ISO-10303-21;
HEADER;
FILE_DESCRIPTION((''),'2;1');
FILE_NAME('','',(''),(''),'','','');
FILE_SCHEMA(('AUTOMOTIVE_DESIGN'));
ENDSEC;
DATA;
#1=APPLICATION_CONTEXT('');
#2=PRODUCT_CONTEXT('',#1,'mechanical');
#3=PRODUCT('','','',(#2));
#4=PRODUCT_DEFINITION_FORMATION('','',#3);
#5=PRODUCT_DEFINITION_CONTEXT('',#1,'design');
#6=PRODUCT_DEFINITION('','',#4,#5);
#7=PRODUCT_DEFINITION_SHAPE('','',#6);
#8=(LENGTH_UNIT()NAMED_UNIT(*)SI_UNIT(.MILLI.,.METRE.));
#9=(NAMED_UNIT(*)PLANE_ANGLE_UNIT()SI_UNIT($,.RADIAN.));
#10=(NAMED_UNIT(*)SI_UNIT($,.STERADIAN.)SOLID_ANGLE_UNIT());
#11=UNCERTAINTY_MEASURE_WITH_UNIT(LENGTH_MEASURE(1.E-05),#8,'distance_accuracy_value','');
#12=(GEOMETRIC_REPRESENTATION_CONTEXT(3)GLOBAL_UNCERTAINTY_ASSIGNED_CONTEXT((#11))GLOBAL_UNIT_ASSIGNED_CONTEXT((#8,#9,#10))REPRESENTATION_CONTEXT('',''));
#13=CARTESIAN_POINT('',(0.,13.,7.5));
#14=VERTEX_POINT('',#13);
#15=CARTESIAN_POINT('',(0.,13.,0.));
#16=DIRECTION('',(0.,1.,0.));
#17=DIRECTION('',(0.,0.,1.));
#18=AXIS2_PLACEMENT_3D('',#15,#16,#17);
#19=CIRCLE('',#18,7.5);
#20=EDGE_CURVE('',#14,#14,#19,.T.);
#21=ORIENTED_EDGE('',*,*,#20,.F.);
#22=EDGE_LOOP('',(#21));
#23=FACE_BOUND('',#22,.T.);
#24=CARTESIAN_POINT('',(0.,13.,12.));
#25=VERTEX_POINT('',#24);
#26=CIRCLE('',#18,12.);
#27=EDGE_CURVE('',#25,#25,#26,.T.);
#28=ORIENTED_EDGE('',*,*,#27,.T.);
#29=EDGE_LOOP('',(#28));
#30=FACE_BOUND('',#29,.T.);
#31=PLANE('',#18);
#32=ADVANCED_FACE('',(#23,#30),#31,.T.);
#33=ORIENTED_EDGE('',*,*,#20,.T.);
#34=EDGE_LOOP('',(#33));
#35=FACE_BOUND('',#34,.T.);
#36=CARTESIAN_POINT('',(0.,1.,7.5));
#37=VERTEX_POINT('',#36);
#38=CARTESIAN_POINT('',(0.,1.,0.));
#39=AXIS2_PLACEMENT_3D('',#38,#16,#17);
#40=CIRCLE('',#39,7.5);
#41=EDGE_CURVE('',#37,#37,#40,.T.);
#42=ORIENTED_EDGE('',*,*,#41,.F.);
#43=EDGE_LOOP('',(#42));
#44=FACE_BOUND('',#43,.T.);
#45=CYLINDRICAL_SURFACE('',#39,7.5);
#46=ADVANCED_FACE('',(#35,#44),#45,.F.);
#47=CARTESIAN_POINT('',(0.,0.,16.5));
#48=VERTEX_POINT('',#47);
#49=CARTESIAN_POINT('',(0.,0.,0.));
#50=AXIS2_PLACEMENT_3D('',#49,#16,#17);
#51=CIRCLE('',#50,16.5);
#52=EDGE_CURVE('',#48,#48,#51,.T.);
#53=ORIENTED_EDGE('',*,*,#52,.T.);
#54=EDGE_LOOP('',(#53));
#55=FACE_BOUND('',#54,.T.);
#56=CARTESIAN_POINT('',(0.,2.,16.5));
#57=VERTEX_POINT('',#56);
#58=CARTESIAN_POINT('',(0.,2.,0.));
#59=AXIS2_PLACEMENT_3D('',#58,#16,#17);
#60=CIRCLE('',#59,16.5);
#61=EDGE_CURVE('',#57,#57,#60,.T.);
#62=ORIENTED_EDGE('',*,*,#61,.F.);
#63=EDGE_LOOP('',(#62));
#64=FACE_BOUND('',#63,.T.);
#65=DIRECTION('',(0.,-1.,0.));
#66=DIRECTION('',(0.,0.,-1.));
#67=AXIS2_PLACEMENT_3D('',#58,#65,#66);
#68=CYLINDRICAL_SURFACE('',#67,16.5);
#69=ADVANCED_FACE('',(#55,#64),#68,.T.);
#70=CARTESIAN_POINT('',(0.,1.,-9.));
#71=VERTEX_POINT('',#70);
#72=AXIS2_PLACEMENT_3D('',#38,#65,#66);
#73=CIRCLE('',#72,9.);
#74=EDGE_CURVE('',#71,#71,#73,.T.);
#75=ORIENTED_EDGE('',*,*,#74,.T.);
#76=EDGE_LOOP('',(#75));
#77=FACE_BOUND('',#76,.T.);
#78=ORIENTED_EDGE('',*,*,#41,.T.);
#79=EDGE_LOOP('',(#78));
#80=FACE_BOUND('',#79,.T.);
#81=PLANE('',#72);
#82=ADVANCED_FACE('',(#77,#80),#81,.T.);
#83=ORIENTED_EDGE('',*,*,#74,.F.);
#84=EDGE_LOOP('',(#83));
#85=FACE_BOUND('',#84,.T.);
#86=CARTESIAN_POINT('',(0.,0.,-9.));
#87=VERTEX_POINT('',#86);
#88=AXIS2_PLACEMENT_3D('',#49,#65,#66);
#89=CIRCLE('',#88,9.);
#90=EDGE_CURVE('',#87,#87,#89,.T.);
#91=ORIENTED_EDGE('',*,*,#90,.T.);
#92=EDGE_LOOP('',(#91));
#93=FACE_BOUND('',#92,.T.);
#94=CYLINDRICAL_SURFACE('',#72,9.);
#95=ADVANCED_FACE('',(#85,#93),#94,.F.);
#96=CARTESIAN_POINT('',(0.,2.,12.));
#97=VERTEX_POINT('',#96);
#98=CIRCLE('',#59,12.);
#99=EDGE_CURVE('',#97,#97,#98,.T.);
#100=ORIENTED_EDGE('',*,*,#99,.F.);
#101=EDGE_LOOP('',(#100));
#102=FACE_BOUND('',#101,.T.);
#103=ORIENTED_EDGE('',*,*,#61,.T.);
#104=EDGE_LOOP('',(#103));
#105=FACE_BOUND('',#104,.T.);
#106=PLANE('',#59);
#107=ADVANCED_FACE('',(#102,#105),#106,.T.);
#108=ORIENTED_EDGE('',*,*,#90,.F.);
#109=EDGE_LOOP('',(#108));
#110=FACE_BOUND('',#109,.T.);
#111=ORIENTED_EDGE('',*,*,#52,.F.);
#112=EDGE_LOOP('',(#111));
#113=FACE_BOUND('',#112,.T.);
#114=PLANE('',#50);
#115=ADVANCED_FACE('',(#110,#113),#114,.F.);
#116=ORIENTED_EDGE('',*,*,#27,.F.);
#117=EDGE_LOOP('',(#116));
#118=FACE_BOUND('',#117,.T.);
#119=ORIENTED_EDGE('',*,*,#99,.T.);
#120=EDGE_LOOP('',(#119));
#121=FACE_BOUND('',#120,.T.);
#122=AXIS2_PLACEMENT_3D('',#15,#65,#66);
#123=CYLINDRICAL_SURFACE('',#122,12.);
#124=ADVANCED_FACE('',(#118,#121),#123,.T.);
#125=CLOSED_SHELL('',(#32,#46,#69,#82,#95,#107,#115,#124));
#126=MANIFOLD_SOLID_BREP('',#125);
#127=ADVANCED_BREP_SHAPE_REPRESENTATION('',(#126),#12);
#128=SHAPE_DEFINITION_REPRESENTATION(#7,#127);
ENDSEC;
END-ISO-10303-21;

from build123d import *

# Parameters (mm, degrees)
SKETCH1_R           = 16.5
BOSS_EXTRUDE1_DEPTH = 2
SKETCH2_R           = 12
BOSS_EXTRUDE2_DEPTH = 11
SKETCH3_R           = 9
CUT_EXTRUDE1_DEPTH  = 1
SKETCH4_R           = 7.5
CUT_EXTRUDE2_DEPTH  = 12


with BuildPart() as part:
    # Sketch1 → Boss-Extrude1 (new body)
    with BuildSketch(Plane(origin=(0, 0, 0), x_dir=(1, 0, 0), z_dir=(0, 1, 0))):
        with Locations(Location((0, 0, 0), (0, 0, 270))):
            Circle(SKETCH1_R)
    extrude(amount=BOSS_EXTRUDE1_DEPTH)

    # Sketch2 → Boss-Extrude2 (add)
    with BuildSketch(Plane(origin=(0, 2, 0), x_dir=(1, 0, 0), z_dir=(0, 1, 0))):
        with Locations(Location((0, 0, 0), (0, 0, 270))):
            Circle(SKETCH2_R)
    extrude(amount=BOSS_EXTRUDE2_DEPTH)

    # Sketch3 → Cut-Extrude1 (cut)
    with BuildSketch(Plane.XZ):
        with Locations(Location((0, 0, 0), (0, 0, 270))):
            Circle(SKETCH3_R)
    extrude(amount=-CUT_EXTRUDE1_DEPTH, mode=Mode.SUBTRACT)

    # Sketch4 → Cut-Extrude2 (cut)
    with BuildSketch(Plane(origin=(0, 13, 0), x_dir=(1, 0, 0), z_dir=(0, 1, 0))):
        with Locations(Location((0, 0, 0), (0, 0, 270))):
            Circle(SKETCH4_R)
    extrude(amount=-CUT_EXTRUDE2_DEPTH, mode=Mode.SUBTRACT)


solid = part.part
